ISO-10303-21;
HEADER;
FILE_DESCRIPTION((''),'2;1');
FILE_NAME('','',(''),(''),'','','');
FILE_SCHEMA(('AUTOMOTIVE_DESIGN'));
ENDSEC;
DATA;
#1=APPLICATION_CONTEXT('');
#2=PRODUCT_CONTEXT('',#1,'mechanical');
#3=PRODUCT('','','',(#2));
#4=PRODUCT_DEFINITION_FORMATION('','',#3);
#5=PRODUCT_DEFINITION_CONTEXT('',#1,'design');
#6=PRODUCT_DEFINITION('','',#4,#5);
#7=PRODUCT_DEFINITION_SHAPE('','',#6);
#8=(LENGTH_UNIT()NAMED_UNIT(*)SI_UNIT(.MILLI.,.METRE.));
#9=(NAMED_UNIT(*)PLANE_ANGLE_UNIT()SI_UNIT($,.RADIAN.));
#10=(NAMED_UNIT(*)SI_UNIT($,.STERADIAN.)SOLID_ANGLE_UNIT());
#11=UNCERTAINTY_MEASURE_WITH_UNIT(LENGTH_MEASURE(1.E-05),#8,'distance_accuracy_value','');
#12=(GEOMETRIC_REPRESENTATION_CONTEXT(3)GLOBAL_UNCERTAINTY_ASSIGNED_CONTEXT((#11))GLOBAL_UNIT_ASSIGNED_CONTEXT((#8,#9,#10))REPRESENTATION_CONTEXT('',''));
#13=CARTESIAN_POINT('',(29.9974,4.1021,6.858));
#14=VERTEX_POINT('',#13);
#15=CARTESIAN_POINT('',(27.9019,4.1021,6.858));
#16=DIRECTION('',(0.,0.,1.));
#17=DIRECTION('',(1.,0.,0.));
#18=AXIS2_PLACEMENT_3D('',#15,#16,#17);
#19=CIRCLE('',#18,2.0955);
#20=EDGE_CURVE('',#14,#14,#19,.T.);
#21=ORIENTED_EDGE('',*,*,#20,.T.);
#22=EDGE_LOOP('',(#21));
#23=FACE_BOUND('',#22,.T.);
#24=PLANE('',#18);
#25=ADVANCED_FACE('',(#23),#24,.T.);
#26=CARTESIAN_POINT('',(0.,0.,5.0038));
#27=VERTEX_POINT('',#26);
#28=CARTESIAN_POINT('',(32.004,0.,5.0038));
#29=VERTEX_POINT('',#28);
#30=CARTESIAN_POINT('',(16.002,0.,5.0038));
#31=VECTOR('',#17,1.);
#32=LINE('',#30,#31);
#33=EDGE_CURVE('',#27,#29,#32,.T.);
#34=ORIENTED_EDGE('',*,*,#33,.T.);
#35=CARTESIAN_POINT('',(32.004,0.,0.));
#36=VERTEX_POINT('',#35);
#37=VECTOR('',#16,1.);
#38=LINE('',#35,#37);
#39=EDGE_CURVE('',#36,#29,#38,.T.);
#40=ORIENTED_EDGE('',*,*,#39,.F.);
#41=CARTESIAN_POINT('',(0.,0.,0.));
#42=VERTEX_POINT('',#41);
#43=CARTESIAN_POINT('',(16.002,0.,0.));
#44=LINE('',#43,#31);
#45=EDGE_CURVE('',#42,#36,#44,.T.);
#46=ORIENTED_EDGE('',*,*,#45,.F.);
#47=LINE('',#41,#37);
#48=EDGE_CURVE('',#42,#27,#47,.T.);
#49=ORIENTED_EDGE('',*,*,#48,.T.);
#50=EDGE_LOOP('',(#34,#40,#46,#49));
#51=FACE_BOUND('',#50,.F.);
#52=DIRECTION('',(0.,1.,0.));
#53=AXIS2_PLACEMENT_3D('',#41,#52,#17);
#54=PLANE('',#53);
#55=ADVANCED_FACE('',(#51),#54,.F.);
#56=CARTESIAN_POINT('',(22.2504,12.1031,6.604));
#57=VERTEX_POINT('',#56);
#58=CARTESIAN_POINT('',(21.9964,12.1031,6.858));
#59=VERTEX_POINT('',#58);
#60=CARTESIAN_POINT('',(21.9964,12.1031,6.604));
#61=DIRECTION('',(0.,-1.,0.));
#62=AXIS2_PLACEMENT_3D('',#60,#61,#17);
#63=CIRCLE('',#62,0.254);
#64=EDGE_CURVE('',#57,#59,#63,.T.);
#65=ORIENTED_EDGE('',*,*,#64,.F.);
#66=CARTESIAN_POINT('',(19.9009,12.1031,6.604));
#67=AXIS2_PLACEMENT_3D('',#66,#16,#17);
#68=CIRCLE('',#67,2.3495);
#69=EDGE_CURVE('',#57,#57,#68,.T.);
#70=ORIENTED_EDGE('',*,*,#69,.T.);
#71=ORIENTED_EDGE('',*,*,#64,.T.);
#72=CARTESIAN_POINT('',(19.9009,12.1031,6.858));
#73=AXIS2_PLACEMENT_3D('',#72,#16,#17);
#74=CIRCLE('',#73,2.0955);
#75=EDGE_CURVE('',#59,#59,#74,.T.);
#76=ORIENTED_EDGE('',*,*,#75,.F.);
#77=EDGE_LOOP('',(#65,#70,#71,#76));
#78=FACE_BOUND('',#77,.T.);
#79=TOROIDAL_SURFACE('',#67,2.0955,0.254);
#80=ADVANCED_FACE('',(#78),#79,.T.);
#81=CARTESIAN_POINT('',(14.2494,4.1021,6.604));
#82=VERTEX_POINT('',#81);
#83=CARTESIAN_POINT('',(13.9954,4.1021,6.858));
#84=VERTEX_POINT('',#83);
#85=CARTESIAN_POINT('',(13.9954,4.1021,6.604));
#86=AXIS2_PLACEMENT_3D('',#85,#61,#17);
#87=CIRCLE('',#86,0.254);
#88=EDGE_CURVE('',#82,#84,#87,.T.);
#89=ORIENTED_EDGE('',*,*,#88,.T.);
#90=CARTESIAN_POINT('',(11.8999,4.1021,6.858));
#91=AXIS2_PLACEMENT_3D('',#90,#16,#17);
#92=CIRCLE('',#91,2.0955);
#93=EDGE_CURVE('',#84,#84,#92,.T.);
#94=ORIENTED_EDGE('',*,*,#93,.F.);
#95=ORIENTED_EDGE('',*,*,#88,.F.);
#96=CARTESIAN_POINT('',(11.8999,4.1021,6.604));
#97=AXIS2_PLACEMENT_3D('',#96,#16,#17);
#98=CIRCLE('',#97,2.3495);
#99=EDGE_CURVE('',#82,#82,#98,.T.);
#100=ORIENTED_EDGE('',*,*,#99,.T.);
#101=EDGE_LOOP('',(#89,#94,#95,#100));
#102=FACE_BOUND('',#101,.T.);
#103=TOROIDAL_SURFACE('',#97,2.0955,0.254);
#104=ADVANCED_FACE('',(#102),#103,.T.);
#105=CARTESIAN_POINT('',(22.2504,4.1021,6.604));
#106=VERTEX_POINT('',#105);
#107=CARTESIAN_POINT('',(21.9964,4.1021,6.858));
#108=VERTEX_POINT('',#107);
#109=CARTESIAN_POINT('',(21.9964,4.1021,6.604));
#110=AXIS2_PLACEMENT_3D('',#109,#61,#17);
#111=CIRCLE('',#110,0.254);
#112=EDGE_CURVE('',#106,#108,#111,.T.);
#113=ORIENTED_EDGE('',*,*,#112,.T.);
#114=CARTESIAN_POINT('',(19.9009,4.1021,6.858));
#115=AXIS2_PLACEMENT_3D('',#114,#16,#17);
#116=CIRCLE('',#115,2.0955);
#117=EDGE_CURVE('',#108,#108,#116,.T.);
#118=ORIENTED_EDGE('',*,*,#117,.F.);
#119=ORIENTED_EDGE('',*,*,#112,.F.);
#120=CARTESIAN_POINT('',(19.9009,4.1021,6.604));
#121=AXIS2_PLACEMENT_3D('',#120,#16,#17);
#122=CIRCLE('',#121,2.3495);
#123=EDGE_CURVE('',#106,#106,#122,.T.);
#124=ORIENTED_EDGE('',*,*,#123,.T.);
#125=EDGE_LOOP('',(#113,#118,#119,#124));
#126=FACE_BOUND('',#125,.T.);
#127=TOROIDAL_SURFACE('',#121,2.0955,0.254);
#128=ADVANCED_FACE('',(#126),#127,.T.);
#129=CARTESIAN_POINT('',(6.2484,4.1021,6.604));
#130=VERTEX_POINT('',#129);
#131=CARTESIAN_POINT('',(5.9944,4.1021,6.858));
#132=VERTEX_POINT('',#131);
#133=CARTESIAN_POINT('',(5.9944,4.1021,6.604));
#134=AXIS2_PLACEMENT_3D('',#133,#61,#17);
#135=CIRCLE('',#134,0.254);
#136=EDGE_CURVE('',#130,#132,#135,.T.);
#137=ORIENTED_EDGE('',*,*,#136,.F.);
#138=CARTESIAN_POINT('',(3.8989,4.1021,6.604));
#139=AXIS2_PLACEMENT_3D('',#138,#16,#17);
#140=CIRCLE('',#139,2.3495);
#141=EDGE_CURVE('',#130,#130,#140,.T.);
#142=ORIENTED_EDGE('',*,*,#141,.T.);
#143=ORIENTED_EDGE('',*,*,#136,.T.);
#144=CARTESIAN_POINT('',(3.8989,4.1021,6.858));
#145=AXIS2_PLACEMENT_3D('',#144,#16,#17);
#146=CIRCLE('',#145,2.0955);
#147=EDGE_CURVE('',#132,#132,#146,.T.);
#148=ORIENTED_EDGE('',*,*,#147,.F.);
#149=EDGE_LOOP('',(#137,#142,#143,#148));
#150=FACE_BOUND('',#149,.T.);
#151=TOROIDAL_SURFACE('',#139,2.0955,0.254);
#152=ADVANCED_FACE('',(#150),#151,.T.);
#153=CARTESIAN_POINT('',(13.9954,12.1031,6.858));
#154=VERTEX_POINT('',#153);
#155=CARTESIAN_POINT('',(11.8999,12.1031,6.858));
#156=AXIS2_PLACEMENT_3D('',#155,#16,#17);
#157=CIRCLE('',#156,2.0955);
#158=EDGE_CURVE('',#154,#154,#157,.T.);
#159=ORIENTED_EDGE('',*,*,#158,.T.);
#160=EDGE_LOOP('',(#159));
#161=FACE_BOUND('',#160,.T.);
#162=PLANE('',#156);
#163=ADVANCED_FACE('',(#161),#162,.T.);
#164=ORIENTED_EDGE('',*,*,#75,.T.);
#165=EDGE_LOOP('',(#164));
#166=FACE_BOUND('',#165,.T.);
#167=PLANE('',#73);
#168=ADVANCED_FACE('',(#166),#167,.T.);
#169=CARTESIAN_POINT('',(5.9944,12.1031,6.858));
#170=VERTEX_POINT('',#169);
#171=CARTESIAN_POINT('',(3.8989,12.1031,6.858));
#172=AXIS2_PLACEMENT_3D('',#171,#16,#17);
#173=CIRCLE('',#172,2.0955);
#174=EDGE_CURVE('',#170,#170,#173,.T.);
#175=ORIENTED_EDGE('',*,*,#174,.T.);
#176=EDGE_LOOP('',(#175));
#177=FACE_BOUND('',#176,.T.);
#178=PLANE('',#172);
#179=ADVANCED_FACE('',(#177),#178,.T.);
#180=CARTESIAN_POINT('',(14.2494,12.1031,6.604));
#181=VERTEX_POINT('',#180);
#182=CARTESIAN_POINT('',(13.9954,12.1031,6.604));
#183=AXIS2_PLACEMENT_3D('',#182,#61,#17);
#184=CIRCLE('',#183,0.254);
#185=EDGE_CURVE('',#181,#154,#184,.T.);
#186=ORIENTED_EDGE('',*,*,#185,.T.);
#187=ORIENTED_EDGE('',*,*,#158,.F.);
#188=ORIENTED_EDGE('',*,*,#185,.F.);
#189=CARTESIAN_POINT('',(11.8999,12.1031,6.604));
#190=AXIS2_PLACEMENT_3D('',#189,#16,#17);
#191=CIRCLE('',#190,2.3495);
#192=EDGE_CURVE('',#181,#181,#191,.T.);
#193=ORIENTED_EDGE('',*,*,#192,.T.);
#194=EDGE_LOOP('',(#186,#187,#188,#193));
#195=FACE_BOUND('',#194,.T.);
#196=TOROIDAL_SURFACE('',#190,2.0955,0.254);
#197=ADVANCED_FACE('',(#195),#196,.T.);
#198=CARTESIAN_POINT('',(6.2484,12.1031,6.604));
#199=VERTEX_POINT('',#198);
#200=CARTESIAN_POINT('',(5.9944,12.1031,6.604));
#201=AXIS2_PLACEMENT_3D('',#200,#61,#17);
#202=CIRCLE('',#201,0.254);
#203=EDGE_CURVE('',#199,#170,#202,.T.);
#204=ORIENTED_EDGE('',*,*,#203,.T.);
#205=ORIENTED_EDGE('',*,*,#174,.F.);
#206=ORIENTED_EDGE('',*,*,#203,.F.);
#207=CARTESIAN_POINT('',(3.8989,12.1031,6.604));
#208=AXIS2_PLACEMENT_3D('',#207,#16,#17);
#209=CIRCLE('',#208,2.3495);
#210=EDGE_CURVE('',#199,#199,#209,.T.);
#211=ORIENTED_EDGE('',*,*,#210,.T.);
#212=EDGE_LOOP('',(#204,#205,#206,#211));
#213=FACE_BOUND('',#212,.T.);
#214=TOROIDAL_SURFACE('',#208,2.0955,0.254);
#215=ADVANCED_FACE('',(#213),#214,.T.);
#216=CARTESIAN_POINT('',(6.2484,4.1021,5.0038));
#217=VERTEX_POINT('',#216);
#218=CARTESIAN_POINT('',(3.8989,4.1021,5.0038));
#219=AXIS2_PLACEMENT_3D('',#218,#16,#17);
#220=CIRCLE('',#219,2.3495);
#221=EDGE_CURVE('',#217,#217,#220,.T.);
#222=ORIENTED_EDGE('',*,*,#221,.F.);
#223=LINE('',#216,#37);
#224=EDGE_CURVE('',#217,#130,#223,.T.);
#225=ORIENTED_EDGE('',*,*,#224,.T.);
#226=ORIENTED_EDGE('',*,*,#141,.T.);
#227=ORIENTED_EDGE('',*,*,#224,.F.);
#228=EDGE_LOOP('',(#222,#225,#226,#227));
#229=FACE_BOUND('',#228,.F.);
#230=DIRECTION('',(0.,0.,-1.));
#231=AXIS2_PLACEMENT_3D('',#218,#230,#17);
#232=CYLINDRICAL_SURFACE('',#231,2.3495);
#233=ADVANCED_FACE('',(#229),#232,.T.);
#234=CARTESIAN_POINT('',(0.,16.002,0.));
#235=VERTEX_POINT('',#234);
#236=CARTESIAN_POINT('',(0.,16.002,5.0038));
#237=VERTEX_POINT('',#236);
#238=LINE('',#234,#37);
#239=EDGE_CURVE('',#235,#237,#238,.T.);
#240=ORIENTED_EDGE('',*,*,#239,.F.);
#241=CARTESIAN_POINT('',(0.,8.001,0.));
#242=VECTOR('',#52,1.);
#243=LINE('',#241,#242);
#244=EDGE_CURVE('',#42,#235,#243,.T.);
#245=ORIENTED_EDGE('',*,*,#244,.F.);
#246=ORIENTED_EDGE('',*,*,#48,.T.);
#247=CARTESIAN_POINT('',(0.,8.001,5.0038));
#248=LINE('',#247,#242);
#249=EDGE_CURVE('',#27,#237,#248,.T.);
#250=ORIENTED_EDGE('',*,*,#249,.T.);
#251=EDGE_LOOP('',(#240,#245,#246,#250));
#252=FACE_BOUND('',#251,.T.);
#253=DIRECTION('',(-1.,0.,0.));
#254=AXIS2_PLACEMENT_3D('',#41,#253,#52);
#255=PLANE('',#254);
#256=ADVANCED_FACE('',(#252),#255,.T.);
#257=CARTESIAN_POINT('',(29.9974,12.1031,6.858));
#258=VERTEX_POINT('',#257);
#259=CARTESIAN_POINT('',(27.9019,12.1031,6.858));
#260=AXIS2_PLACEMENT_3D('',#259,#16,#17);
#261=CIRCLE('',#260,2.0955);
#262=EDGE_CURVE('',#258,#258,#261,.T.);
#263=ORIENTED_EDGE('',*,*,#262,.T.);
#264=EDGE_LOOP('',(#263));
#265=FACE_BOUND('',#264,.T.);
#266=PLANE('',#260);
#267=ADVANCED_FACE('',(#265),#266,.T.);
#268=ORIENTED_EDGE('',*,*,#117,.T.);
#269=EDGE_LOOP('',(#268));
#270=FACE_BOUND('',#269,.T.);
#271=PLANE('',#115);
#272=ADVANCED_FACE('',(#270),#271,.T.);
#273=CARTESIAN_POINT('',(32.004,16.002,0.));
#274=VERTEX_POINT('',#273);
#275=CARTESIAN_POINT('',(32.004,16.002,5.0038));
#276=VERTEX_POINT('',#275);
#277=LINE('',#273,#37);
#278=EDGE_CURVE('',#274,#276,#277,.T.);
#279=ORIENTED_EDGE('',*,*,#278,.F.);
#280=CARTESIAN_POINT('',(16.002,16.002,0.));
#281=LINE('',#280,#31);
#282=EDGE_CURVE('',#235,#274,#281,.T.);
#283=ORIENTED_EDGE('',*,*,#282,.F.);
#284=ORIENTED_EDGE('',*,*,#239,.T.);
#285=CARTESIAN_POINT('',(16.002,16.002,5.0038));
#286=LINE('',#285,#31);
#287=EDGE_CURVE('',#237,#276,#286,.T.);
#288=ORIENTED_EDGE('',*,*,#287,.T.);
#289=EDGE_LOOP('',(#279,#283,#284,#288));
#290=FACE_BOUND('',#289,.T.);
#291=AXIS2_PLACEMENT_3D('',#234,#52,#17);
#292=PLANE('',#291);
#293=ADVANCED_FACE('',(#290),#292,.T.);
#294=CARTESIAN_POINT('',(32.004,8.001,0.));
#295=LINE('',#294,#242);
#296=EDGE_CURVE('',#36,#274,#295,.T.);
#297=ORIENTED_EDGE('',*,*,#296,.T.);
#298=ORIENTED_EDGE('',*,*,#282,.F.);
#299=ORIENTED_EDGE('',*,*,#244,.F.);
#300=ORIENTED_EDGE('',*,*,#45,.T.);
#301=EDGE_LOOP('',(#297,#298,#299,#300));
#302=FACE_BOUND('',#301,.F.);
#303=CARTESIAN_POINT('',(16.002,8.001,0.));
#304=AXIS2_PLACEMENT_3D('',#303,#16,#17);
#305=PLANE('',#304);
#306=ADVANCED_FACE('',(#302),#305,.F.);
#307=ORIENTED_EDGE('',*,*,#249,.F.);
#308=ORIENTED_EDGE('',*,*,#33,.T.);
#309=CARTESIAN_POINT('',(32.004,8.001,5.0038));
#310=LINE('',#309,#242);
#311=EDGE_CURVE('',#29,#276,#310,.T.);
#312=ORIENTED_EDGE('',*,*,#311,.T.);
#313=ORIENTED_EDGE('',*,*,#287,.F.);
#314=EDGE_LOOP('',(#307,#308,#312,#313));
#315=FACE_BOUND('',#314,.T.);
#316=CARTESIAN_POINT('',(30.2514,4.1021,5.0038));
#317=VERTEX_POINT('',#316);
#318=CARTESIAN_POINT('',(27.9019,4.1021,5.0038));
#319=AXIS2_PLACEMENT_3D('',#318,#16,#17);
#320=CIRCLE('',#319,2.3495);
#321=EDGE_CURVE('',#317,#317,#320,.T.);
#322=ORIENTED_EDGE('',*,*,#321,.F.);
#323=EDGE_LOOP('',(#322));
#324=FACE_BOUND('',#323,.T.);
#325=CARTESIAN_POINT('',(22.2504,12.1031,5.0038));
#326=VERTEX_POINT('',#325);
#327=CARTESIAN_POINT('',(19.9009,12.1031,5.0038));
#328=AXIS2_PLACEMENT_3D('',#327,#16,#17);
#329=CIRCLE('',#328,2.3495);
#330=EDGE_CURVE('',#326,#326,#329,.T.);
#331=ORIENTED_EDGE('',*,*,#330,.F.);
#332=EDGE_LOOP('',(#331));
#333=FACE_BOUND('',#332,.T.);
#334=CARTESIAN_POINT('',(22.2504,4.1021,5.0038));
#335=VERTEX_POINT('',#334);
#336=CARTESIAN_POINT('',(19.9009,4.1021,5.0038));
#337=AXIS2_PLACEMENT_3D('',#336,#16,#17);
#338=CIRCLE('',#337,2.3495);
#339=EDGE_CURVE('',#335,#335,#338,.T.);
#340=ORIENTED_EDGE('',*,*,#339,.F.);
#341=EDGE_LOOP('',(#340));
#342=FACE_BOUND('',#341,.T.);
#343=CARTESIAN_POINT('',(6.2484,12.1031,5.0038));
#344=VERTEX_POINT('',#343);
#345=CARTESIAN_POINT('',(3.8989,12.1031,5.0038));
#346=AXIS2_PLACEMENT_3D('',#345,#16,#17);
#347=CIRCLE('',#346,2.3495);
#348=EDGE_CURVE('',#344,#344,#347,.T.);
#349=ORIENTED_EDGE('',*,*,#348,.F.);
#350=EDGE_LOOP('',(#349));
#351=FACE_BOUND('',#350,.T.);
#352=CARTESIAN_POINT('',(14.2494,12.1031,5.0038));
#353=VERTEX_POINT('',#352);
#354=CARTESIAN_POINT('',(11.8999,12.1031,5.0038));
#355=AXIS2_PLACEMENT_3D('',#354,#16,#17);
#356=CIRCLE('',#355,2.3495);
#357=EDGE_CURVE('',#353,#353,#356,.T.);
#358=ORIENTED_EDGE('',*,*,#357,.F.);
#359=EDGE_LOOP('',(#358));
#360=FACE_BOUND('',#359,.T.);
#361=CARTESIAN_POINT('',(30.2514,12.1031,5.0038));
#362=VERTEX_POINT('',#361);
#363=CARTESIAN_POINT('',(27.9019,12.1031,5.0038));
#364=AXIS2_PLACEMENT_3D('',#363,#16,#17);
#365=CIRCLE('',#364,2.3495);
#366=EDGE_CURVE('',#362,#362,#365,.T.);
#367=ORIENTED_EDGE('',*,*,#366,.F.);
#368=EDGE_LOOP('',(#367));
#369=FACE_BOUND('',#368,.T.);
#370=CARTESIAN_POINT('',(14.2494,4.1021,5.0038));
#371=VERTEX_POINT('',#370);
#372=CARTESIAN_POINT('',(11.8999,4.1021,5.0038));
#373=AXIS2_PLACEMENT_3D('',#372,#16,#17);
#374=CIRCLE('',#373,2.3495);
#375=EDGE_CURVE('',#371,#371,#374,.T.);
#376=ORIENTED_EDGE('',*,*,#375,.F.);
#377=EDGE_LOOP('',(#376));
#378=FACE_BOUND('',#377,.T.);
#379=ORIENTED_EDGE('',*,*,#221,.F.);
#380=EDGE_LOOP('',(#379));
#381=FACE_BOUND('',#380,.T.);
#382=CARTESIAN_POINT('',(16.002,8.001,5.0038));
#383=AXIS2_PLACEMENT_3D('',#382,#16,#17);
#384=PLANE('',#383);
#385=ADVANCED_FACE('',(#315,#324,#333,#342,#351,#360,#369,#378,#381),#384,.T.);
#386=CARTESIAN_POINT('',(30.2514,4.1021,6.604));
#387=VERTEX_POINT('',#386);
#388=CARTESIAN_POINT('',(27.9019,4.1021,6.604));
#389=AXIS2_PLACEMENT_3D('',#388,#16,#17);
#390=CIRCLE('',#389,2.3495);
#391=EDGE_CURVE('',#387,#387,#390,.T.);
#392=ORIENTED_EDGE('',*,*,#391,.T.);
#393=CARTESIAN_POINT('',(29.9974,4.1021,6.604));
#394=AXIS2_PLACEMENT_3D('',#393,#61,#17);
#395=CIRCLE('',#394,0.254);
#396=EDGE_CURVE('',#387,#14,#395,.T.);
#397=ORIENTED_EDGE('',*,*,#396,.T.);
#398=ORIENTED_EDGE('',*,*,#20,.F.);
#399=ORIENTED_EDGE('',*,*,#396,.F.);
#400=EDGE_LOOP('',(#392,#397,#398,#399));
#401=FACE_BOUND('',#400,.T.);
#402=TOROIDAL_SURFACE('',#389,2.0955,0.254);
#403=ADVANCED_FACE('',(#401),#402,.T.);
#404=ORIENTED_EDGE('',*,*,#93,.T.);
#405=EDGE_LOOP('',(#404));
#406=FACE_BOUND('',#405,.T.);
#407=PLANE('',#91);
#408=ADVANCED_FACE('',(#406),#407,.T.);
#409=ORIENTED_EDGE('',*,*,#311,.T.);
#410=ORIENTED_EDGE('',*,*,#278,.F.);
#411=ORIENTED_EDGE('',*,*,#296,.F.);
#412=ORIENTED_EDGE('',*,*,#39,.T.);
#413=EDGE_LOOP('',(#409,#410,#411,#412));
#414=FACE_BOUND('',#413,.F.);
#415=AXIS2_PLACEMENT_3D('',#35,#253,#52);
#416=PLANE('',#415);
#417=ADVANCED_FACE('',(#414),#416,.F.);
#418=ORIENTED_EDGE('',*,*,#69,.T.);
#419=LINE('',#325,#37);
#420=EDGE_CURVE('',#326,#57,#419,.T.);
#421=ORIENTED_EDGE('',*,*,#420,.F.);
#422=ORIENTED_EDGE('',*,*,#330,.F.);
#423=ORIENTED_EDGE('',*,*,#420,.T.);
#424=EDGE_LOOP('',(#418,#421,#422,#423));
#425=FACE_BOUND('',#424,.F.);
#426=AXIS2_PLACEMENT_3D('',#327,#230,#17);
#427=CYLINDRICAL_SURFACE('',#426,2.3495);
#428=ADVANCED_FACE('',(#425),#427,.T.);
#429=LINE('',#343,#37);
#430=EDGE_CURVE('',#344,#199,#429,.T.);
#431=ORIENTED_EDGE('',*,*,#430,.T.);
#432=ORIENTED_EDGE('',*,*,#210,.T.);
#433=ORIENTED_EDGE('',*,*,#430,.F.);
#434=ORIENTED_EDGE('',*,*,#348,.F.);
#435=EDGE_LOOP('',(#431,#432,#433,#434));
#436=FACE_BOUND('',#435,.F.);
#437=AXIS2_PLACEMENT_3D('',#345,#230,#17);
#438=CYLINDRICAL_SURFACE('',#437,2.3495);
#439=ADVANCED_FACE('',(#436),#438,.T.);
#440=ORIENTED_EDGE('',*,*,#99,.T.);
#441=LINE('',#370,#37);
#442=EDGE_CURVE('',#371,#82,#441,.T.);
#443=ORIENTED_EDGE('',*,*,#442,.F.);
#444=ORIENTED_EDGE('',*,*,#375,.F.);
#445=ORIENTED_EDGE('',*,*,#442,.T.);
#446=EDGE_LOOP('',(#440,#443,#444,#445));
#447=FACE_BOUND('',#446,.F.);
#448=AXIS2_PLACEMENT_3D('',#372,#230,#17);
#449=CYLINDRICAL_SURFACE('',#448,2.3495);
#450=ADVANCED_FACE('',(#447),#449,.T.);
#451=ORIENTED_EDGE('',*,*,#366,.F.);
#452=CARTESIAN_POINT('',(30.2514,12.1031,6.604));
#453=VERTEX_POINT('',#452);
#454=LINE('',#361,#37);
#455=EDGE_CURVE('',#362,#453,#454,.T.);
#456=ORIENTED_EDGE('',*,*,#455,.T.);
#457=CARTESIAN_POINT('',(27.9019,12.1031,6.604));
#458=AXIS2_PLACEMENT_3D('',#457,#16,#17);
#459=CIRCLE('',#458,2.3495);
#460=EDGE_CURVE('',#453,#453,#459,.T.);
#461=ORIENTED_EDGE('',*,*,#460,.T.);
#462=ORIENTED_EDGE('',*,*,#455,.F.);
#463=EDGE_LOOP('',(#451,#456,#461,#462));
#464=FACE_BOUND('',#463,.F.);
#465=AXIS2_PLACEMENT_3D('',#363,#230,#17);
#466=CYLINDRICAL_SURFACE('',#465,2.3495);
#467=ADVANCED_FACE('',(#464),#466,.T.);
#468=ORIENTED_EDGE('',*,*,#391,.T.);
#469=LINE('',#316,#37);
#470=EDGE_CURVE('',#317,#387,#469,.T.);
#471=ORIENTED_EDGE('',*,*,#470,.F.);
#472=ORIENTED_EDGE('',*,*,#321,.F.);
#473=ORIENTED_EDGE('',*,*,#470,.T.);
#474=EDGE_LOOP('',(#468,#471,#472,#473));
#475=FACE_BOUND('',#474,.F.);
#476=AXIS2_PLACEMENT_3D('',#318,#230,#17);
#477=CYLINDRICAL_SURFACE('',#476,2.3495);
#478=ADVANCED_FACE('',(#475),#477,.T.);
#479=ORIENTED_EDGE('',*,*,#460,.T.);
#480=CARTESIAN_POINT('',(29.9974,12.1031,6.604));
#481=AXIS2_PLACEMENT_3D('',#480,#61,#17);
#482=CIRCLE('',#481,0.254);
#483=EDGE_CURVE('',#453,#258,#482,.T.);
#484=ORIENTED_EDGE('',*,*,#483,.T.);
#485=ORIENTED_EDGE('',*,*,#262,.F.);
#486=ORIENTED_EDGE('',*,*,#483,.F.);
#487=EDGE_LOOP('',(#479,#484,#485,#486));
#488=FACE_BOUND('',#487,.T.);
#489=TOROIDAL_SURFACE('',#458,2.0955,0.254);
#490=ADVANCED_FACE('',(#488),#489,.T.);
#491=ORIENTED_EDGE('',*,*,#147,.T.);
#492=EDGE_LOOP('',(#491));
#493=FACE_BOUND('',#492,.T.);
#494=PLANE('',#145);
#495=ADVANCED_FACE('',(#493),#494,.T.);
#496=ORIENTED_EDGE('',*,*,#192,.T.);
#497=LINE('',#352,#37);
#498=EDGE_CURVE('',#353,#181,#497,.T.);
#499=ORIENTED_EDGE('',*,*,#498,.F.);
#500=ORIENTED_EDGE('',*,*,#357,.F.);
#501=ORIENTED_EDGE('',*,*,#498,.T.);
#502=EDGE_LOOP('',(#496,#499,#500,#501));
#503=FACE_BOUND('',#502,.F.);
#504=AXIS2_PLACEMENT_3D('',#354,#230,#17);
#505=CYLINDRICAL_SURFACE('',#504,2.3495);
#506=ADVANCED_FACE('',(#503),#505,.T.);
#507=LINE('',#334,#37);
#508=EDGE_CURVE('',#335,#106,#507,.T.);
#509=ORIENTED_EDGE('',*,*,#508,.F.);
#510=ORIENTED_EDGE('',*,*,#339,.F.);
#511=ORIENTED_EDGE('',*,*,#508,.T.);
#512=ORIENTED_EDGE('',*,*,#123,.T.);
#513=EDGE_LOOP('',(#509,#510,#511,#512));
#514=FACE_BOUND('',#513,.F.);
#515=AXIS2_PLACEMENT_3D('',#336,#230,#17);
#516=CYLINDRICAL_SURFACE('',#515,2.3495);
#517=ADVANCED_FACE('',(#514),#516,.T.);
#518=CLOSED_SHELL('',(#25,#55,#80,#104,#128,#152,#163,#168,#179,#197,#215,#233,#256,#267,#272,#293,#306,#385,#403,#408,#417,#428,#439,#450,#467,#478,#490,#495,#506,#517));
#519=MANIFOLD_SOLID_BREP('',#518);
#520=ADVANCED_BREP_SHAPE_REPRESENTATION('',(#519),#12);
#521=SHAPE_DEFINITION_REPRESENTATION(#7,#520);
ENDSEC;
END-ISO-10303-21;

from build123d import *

# Parameters (mm, degrees)
F0_W     = 32.004
F0_H     = 16.002
F1_DEPTH = 5.0038
F2_R     = 2.3495
F3_DEPTH = 1.8542
F4_R     = 0.254


with BuildPart() as f1:
    # F0 (on Top) → F1 (new body)
    with BuildSketch(Plane.XY):
        with Locations((16.002, 8.001)):
            Rectangle(F0_W, F0_H)
    extrude(amount=F1_DEPTH)

    # F2 (on face) → F3 (join)
    with BuildSketch(Plane.XY.offset(5.0038)):
        with Locations((3.8989, 12.1031)):
            Circle(F2_R)
        with Locations((11.8999, 12.1031)):
            Circle(F2_R)
        with Locations((19.9009, 12.1031)):
            Circle(F2_R)
        with Locations((27.9019, 12.1031)):
            Circle(F2_R)
        with Locations((3.8989, 4.1021)):
            Circle(F2_R)
        with Locations((11.8999, 4.1021)):
            Circle(F2_R)
        with Locations((19.9009, 4.1021)):
            Circle(F2_R)
        with Locations((27.9019, 4.1021)):
            Circle(F2_R)
    extrude(amount=F3_DEPTH)

    # F4
    f4_edges = [f1.edges().sort_by_distance(p)[0] for p in [
        (1.5494, 4.1021, 6.858),
        (1.5494, 12.1031, 6.858),
        (9.5504, 12.1031, 6.858),
        (9.5504, 4.1021, 6.858),
        (17.5514, 4.1021, 6.858),
        (17.5514, 12.1031, 6.858),
        (25.5524, 12.1031, 6.858),
        (25.5524, 4.1021, 6.858),
    ]]
    fillet(f4_edges, radius=F4_R)


solid = f1.part
